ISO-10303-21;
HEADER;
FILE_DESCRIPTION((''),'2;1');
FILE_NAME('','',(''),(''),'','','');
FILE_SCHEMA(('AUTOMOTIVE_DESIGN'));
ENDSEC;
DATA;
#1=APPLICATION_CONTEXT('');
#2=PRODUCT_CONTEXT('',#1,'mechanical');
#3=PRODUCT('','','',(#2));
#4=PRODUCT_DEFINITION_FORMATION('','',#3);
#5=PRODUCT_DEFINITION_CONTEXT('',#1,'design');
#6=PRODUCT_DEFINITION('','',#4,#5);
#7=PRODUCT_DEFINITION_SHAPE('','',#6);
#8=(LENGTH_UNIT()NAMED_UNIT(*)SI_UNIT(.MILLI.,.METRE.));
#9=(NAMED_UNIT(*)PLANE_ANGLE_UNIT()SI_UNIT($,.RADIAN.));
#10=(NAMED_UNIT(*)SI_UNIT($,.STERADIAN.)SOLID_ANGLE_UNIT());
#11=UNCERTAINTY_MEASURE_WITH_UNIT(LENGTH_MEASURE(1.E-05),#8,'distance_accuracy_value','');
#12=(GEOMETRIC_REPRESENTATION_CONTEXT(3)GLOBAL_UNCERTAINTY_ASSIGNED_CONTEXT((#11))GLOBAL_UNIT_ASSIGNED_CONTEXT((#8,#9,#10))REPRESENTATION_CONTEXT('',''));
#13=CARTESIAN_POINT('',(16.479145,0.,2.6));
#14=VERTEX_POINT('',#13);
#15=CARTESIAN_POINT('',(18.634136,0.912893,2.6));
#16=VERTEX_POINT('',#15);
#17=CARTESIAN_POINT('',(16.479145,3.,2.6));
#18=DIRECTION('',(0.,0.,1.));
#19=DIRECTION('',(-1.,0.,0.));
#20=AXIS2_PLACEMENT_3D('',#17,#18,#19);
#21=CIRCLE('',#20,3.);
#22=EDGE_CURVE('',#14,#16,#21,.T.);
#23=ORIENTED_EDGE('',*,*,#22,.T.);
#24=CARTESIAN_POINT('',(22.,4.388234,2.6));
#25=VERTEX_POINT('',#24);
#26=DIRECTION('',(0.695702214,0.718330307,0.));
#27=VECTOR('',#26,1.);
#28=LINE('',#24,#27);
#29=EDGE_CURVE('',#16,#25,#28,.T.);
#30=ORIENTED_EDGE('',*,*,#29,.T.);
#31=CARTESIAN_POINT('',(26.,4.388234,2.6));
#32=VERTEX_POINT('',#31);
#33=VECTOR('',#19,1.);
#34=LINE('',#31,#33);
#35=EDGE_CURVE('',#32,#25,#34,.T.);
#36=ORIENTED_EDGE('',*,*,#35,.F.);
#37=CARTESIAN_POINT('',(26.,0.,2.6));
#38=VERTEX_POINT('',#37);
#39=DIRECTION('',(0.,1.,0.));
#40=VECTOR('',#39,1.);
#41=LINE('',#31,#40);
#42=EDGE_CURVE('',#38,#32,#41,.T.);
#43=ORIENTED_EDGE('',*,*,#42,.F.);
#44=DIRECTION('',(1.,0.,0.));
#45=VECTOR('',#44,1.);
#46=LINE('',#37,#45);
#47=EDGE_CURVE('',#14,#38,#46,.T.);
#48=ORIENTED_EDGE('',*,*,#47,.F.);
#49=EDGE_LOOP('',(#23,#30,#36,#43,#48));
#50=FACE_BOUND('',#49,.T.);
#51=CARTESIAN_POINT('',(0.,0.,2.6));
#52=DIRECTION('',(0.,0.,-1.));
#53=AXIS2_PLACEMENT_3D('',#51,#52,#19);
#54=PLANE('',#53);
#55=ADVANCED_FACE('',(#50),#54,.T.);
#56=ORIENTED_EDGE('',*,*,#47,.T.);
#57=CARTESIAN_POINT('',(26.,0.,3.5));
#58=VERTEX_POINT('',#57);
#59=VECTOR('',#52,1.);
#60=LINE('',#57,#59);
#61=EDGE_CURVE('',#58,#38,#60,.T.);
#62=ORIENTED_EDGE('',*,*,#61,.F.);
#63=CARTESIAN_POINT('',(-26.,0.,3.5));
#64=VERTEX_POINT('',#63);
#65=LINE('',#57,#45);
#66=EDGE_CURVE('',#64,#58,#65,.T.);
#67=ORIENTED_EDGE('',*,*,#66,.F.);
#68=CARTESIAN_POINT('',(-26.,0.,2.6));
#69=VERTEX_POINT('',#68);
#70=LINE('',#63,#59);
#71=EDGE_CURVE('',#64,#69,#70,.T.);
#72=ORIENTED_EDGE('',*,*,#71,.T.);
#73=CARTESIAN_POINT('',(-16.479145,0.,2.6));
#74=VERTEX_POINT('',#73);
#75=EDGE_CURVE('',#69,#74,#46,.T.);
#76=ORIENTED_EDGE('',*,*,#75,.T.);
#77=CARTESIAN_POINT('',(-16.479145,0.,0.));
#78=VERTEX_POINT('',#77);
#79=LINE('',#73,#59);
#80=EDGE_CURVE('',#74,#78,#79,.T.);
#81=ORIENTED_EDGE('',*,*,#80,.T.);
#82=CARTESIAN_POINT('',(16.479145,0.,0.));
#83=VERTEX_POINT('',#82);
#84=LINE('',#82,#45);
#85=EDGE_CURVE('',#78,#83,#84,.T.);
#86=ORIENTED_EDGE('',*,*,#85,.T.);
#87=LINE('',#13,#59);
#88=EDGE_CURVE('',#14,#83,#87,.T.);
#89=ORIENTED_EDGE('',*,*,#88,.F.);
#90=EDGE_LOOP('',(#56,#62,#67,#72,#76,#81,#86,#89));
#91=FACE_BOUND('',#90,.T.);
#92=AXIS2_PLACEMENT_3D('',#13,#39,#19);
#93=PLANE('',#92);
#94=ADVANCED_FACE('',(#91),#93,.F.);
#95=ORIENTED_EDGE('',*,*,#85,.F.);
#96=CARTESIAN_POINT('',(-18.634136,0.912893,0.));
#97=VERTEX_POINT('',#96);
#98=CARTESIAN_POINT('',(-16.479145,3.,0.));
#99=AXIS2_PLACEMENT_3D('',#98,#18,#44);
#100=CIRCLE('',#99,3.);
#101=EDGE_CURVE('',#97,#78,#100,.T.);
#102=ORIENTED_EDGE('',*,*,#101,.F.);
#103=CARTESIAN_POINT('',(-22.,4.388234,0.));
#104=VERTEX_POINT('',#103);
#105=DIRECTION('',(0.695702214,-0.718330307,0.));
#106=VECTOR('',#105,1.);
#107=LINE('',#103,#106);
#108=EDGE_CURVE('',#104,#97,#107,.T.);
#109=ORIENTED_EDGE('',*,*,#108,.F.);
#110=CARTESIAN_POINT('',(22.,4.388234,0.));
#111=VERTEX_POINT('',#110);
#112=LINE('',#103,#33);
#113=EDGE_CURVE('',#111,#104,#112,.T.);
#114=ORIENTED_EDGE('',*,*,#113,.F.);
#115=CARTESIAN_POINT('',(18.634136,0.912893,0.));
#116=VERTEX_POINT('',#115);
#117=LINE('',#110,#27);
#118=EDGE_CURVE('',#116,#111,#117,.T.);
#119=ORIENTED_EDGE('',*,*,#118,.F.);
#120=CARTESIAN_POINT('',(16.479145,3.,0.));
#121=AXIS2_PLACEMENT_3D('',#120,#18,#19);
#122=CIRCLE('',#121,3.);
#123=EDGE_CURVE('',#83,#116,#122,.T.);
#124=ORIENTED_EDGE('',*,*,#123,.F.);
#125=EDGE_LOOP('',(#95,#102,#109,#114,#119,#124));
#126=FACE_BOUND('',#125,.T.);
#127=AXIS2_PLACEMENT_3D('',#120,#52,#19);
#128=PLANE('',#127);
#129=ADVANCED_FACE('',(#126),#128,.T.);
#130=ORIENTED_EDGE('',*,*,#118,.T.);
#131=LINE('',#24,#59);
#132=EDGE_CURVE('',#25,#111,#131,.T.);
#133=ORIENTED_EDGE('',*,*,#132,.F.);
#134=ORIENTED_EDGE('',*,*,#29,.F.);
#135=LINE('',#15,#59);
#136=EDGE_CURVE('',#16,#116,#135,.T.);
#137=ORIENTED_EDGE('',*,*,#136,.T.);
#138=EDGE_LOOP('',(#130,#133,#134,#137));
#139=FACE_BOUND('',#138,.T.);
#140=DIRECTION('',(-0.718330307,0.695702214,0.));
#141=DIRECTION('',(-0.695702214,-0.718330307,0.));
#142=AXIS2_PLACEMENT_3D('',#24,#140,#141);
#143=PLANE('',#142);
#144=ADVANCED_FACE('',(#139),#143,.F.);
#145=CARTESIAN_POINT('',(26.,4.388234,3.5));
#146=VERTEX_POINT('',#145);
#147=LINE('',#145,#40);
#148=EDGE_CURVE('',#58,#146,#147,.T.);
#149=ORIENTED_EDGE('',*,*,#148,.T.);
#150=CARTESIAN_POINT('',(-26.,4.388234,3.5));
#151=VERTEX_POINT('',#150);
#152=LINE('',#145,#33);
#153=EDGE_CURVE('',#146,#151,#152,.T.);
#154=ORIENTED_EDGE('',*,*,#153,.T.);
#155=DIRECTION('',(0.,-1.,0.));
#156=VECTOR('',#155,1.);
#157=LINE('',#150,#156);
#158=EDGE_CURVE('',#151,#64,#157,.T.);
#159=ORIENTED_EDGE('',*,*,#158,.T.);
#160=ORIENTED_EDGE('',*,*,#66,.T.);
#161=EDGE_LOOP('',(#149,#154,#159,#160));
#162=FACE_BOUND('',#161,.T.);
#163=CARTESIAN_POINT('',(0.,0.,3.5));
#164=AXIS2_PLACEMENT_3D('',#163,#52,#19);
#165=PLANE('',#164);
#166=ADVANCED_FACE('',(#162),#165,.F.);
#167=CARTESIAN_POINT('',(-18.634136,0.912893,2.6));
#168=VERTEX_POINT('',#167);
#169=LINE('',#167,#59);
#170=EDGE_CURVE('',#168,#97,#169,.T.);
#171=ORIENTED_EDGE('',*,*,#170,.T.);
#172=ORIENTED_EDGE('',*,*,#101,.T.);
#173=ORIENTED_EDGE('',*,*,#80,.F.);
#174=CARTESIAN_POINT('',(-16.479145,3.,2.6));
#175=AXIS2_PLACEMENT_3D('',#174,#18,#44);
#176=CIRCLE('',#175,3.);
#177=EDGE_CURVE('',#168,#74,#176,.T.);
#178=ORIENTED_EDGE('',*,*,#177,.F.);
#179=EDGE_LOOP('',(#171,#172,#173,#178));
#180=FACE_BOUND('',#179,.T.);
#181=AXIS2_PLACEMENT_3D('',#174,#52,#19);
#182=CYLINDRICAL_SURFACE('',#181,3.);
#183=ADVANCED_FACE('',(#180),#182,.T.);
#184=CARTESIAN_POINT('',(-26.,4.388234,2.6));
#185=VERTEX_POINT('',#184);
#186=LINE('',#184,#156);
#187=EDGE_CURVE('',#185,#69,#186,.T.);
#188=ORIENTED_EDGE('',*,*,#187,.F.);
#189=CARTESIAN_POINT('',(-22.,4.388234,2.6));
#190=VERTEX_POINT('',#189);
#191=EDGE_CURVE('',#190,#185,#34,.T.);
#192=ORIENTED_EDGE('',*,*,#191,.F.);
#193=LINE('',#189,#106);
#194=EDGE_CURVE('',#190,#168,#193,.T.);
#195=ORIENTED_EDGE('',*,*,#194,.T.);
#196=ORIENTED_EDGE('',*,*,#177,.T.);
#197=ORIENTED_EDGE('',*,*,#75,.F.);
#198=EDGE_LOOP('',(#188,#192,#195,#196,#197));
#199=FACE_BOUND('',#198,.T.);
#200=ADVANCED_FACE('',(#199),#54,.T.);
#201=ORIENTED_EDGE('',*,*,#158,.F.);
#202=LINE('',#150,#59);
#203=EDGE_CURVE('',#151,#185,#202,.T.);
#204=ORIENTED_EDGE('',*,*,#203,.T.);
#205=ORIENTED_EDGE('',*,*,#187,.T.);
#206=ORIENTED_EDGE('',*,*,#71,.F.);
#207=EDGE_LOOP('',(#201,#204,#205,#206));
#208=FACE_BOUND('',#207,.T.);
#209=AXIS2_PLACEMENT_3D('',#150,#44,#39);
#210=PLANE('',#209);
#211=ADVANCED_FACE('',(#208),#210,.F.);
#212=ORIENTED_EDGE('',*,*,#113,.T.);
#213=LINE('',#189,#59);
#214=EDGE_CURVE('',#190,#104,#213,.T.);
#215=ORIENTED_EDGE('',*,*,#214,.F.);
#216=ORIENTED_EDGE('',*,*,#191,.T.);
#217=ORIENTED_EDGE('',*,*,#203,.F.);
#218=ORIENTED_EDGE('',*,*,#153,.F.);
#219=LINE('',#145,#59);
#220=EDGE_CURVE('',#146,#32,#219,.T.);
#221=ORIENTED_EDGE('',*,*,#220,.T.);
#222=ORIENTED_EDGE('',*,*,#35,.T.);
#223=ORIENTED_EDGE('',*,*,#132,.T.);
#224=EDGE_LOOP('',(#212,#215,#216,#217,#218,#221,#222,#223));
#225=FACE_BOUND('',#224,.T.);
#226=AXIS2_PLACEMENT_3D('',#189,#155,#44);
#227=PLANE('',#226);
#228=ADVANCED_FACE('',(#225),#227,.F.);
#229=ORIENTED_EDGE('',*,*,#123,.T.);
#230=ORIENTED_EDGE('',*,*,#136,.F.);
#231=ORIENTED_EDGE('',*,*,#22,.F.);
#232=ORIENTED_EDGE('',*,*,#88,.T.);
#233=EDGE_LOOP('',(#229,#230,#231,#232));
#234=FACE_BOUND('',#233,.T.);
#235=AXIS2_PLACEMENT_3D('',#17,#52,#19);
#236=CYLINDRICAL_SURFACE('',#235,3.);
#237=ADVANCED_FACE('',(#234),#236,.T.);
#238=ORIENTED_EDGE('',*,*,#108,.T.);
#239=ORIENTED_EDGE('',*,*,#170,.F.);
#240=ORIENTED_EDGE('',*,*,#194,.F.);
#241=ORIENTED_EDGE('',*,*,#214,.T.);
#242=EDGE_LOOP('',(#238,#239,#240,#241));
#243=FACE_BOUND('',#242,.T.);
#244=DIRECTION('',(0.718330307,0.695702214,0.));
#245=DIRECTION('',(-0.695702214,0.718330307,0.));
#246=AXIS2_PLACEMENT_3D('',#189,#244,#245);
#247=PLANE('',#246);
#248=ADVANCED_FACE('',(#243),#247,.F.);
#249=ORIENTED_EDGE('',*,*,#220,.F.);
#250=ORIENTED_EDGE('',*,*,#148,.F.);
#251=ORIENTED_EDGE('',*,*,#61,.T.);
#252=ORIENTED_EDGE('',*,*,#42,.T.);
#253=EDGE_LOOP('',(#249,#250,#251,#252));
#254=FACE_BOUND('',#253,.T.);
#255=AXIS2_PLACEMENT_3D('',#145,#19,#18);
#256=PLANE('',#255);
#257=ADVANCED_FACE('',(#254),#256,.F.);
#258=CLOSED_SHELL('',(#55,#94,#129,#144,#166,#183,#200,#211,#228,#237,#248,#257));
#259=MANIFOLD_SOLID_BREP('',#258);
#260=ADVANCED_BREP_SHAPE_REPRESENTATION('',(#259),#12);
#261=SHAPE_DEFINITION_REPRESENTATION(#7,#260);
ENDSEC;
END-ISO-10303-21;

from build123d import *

# Parameters (mm, degrees)
Y_KSEKLIK_EKSTR_ZYON1_DEPTH = 2.6
IZIM2_W                     = 52
IZIM2_H                     = 4.388233566
Y_KSEKLIK_EKSTR_ZYON3_DEPTH = 0.9


with BuildPart() as part:
    # Çizim1 → Yükseklik-Ekstrüzyon1 (new body)
    with BuildSketch(Plane.XY):
        with BuildLine():
            Line((22, 4.388233566), (18.634136343, 0.912893359))
            ThreePointArc((18.634136343, 0.912893359), (17.649333458, 0.237635078), (16.479145422, 0))
            Line((16.479145422, 0), (-16.479145422, 0))
            ThreePointArc((-16.479145422, 0), (-17.649333458, 0.237635078), (-18.634136343, 0.912893359))
            Line((-18.634136343, 0.912893359), (-22, 4.388233566))
            Line((-22, 4.388233566), (22, 4.388233566))
        make_face()
    extrude(amount=Y_KSEKLIK_EKSTR_ZYON1_DEPTH)

    # Çizim2 → Yükseklik-Ekstrüzyon3 (add)
    with BuildSketch(Plane.XY.offset(2.6)):
        with Locations((0, 2.194116783)):
            Rectangle(IZIM2_W, IZIM2_H)
    extrude(amount=Y_KSEKLIK_EKSTR_ZYON3_DEPTH)


solid = part.part
